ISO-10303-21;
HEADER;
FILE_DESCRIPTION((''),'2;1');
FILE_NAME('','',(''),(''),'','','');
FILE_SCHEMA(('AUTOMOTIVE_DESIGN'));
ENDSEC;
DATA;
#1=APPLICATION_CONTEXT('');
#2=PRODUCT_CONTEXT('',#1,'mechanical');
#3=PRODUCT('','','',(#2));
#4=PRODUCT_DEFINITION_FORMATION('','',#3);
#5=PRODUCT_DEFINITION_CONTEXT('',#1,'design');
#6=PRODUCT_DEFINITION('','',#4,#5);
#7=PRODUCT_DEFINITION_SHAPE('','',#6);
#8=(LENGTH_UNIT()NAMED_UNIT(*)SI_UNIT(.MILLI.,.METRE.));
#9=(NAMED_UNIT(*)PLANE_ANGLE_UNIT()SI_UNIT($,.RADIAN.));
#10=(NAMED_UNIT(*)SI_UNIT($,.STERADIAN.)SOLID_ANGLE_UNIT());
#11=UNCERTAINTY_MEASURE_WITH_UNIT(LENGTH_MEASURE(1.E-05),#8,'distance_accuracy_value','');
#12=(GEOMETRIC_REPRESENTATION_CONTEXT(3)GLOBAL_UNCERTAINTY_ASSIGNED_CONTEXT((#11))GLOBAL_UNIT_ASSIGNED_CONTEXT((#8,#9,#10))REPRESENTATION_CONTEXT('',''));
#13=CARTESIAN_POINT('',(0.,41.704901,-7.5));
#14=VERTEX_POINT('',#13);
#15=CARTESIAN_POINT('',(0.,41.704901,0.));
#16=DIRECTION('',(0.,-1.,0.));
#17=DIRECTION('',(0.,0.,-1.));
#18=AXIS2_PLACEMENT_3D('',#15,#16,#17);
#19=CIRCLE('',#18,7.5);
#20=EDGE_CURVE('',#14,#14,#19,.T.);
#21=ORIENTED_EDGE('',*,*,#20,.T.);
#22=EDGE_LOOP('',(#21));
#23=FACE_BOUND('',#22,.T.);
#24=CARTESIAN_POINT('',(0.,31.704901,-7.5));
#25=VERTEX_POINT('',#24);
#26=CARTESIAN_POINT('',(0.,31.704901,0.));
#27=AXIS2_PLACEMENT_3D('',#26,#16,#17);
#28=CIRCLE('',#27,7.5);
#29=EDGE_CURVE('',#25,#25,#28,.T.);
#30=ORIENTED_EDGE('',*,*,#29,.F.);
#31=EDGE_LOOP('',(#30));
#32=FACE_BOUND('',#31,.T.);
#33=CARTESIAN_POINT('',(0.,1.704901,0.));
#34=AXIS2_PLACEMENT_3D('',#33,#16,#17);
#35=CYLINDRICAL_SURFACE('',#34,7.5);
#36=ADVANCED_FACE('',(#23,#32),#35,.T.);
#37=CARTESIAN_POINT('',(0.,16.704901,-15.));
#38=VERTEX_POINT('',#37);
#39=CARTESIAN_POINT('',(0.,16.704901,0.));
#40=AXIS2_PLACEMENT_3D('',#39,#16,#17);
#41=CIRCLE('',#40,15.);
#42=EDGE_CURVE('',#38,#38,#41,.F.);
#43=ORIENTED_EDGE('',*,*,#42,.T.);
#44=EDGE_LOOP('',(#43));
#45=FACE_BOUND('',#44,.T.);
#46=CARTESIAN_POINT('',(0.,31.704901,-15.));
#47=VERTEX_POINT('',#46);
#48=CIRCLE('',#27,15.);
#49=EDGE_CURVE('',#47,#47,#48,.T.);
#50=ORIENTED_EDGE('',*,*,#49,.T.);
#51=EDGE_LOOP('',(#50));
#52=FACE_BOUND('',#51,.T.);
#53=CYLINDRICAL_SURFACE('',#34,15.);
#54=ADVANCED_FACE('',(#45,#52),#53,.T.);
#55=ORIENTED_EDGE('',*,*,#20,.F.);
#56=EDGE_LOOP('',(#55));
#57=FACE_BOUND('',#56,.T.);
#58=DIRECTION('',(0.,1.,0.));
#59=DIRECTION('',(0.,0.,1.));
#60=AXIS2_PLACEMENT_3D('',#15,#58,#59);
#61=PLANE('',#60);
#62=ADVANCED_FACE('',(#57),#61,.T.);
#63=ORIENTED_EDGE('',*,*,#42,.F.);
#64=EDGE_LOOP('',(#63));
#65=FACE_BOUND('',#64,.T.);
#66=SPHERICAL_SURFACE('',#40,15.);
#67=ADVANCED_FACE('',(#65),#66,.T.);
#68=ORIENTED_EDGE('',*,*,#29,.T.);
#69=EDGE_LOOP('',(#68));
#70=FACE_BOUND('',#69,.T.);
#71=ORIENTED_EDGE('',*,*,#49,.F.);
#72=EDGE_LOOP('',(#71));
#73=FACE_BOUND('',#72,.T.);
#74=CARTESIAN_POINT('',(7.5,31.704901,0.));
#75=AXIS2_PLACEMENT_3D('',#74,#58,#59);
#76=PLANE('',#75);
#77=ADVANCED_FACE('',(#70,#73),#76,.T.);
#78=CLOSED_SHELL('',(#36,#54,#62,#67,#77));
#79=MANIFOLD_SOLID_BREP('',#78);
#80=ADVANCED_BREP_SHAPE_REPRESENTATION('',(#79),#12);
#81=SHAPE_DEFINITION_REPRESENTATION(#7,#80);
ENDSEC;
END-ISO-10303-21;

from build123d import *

# Parameters (mm, degrees)
FILLET1_R = 15


with BuildPart() as part:
    # Sketch1 → Revolve1 (revolve)
    with BuildSketch(Plane.XY, mode=Mode.PRIVATE) as revolve1_sk:
        Polygon((0, 41.704901462), (7.5, 41.704901462), (7.5, 31.704901462), (15, 31.704901462), (15, 1.704901462), (0, 1.704901462), align=None)
    revolve(revolve1_sk.sketch.rotate(Axis((0, 1.704901462, 0), (0, 1, 0)), 90), axis=Axis((0, 1.704901462, 0), (0, 1, 0)))  # turned: the seam where the file's is

    # Fillet1
    fillet1_edges = [part.edges().sort_by_distance(p)[0] for p in [
        (0, 1.704901462, 15),
    ]]
    fillet(fillet1_edges, radius=FILLET1_R)


solid = part.part
